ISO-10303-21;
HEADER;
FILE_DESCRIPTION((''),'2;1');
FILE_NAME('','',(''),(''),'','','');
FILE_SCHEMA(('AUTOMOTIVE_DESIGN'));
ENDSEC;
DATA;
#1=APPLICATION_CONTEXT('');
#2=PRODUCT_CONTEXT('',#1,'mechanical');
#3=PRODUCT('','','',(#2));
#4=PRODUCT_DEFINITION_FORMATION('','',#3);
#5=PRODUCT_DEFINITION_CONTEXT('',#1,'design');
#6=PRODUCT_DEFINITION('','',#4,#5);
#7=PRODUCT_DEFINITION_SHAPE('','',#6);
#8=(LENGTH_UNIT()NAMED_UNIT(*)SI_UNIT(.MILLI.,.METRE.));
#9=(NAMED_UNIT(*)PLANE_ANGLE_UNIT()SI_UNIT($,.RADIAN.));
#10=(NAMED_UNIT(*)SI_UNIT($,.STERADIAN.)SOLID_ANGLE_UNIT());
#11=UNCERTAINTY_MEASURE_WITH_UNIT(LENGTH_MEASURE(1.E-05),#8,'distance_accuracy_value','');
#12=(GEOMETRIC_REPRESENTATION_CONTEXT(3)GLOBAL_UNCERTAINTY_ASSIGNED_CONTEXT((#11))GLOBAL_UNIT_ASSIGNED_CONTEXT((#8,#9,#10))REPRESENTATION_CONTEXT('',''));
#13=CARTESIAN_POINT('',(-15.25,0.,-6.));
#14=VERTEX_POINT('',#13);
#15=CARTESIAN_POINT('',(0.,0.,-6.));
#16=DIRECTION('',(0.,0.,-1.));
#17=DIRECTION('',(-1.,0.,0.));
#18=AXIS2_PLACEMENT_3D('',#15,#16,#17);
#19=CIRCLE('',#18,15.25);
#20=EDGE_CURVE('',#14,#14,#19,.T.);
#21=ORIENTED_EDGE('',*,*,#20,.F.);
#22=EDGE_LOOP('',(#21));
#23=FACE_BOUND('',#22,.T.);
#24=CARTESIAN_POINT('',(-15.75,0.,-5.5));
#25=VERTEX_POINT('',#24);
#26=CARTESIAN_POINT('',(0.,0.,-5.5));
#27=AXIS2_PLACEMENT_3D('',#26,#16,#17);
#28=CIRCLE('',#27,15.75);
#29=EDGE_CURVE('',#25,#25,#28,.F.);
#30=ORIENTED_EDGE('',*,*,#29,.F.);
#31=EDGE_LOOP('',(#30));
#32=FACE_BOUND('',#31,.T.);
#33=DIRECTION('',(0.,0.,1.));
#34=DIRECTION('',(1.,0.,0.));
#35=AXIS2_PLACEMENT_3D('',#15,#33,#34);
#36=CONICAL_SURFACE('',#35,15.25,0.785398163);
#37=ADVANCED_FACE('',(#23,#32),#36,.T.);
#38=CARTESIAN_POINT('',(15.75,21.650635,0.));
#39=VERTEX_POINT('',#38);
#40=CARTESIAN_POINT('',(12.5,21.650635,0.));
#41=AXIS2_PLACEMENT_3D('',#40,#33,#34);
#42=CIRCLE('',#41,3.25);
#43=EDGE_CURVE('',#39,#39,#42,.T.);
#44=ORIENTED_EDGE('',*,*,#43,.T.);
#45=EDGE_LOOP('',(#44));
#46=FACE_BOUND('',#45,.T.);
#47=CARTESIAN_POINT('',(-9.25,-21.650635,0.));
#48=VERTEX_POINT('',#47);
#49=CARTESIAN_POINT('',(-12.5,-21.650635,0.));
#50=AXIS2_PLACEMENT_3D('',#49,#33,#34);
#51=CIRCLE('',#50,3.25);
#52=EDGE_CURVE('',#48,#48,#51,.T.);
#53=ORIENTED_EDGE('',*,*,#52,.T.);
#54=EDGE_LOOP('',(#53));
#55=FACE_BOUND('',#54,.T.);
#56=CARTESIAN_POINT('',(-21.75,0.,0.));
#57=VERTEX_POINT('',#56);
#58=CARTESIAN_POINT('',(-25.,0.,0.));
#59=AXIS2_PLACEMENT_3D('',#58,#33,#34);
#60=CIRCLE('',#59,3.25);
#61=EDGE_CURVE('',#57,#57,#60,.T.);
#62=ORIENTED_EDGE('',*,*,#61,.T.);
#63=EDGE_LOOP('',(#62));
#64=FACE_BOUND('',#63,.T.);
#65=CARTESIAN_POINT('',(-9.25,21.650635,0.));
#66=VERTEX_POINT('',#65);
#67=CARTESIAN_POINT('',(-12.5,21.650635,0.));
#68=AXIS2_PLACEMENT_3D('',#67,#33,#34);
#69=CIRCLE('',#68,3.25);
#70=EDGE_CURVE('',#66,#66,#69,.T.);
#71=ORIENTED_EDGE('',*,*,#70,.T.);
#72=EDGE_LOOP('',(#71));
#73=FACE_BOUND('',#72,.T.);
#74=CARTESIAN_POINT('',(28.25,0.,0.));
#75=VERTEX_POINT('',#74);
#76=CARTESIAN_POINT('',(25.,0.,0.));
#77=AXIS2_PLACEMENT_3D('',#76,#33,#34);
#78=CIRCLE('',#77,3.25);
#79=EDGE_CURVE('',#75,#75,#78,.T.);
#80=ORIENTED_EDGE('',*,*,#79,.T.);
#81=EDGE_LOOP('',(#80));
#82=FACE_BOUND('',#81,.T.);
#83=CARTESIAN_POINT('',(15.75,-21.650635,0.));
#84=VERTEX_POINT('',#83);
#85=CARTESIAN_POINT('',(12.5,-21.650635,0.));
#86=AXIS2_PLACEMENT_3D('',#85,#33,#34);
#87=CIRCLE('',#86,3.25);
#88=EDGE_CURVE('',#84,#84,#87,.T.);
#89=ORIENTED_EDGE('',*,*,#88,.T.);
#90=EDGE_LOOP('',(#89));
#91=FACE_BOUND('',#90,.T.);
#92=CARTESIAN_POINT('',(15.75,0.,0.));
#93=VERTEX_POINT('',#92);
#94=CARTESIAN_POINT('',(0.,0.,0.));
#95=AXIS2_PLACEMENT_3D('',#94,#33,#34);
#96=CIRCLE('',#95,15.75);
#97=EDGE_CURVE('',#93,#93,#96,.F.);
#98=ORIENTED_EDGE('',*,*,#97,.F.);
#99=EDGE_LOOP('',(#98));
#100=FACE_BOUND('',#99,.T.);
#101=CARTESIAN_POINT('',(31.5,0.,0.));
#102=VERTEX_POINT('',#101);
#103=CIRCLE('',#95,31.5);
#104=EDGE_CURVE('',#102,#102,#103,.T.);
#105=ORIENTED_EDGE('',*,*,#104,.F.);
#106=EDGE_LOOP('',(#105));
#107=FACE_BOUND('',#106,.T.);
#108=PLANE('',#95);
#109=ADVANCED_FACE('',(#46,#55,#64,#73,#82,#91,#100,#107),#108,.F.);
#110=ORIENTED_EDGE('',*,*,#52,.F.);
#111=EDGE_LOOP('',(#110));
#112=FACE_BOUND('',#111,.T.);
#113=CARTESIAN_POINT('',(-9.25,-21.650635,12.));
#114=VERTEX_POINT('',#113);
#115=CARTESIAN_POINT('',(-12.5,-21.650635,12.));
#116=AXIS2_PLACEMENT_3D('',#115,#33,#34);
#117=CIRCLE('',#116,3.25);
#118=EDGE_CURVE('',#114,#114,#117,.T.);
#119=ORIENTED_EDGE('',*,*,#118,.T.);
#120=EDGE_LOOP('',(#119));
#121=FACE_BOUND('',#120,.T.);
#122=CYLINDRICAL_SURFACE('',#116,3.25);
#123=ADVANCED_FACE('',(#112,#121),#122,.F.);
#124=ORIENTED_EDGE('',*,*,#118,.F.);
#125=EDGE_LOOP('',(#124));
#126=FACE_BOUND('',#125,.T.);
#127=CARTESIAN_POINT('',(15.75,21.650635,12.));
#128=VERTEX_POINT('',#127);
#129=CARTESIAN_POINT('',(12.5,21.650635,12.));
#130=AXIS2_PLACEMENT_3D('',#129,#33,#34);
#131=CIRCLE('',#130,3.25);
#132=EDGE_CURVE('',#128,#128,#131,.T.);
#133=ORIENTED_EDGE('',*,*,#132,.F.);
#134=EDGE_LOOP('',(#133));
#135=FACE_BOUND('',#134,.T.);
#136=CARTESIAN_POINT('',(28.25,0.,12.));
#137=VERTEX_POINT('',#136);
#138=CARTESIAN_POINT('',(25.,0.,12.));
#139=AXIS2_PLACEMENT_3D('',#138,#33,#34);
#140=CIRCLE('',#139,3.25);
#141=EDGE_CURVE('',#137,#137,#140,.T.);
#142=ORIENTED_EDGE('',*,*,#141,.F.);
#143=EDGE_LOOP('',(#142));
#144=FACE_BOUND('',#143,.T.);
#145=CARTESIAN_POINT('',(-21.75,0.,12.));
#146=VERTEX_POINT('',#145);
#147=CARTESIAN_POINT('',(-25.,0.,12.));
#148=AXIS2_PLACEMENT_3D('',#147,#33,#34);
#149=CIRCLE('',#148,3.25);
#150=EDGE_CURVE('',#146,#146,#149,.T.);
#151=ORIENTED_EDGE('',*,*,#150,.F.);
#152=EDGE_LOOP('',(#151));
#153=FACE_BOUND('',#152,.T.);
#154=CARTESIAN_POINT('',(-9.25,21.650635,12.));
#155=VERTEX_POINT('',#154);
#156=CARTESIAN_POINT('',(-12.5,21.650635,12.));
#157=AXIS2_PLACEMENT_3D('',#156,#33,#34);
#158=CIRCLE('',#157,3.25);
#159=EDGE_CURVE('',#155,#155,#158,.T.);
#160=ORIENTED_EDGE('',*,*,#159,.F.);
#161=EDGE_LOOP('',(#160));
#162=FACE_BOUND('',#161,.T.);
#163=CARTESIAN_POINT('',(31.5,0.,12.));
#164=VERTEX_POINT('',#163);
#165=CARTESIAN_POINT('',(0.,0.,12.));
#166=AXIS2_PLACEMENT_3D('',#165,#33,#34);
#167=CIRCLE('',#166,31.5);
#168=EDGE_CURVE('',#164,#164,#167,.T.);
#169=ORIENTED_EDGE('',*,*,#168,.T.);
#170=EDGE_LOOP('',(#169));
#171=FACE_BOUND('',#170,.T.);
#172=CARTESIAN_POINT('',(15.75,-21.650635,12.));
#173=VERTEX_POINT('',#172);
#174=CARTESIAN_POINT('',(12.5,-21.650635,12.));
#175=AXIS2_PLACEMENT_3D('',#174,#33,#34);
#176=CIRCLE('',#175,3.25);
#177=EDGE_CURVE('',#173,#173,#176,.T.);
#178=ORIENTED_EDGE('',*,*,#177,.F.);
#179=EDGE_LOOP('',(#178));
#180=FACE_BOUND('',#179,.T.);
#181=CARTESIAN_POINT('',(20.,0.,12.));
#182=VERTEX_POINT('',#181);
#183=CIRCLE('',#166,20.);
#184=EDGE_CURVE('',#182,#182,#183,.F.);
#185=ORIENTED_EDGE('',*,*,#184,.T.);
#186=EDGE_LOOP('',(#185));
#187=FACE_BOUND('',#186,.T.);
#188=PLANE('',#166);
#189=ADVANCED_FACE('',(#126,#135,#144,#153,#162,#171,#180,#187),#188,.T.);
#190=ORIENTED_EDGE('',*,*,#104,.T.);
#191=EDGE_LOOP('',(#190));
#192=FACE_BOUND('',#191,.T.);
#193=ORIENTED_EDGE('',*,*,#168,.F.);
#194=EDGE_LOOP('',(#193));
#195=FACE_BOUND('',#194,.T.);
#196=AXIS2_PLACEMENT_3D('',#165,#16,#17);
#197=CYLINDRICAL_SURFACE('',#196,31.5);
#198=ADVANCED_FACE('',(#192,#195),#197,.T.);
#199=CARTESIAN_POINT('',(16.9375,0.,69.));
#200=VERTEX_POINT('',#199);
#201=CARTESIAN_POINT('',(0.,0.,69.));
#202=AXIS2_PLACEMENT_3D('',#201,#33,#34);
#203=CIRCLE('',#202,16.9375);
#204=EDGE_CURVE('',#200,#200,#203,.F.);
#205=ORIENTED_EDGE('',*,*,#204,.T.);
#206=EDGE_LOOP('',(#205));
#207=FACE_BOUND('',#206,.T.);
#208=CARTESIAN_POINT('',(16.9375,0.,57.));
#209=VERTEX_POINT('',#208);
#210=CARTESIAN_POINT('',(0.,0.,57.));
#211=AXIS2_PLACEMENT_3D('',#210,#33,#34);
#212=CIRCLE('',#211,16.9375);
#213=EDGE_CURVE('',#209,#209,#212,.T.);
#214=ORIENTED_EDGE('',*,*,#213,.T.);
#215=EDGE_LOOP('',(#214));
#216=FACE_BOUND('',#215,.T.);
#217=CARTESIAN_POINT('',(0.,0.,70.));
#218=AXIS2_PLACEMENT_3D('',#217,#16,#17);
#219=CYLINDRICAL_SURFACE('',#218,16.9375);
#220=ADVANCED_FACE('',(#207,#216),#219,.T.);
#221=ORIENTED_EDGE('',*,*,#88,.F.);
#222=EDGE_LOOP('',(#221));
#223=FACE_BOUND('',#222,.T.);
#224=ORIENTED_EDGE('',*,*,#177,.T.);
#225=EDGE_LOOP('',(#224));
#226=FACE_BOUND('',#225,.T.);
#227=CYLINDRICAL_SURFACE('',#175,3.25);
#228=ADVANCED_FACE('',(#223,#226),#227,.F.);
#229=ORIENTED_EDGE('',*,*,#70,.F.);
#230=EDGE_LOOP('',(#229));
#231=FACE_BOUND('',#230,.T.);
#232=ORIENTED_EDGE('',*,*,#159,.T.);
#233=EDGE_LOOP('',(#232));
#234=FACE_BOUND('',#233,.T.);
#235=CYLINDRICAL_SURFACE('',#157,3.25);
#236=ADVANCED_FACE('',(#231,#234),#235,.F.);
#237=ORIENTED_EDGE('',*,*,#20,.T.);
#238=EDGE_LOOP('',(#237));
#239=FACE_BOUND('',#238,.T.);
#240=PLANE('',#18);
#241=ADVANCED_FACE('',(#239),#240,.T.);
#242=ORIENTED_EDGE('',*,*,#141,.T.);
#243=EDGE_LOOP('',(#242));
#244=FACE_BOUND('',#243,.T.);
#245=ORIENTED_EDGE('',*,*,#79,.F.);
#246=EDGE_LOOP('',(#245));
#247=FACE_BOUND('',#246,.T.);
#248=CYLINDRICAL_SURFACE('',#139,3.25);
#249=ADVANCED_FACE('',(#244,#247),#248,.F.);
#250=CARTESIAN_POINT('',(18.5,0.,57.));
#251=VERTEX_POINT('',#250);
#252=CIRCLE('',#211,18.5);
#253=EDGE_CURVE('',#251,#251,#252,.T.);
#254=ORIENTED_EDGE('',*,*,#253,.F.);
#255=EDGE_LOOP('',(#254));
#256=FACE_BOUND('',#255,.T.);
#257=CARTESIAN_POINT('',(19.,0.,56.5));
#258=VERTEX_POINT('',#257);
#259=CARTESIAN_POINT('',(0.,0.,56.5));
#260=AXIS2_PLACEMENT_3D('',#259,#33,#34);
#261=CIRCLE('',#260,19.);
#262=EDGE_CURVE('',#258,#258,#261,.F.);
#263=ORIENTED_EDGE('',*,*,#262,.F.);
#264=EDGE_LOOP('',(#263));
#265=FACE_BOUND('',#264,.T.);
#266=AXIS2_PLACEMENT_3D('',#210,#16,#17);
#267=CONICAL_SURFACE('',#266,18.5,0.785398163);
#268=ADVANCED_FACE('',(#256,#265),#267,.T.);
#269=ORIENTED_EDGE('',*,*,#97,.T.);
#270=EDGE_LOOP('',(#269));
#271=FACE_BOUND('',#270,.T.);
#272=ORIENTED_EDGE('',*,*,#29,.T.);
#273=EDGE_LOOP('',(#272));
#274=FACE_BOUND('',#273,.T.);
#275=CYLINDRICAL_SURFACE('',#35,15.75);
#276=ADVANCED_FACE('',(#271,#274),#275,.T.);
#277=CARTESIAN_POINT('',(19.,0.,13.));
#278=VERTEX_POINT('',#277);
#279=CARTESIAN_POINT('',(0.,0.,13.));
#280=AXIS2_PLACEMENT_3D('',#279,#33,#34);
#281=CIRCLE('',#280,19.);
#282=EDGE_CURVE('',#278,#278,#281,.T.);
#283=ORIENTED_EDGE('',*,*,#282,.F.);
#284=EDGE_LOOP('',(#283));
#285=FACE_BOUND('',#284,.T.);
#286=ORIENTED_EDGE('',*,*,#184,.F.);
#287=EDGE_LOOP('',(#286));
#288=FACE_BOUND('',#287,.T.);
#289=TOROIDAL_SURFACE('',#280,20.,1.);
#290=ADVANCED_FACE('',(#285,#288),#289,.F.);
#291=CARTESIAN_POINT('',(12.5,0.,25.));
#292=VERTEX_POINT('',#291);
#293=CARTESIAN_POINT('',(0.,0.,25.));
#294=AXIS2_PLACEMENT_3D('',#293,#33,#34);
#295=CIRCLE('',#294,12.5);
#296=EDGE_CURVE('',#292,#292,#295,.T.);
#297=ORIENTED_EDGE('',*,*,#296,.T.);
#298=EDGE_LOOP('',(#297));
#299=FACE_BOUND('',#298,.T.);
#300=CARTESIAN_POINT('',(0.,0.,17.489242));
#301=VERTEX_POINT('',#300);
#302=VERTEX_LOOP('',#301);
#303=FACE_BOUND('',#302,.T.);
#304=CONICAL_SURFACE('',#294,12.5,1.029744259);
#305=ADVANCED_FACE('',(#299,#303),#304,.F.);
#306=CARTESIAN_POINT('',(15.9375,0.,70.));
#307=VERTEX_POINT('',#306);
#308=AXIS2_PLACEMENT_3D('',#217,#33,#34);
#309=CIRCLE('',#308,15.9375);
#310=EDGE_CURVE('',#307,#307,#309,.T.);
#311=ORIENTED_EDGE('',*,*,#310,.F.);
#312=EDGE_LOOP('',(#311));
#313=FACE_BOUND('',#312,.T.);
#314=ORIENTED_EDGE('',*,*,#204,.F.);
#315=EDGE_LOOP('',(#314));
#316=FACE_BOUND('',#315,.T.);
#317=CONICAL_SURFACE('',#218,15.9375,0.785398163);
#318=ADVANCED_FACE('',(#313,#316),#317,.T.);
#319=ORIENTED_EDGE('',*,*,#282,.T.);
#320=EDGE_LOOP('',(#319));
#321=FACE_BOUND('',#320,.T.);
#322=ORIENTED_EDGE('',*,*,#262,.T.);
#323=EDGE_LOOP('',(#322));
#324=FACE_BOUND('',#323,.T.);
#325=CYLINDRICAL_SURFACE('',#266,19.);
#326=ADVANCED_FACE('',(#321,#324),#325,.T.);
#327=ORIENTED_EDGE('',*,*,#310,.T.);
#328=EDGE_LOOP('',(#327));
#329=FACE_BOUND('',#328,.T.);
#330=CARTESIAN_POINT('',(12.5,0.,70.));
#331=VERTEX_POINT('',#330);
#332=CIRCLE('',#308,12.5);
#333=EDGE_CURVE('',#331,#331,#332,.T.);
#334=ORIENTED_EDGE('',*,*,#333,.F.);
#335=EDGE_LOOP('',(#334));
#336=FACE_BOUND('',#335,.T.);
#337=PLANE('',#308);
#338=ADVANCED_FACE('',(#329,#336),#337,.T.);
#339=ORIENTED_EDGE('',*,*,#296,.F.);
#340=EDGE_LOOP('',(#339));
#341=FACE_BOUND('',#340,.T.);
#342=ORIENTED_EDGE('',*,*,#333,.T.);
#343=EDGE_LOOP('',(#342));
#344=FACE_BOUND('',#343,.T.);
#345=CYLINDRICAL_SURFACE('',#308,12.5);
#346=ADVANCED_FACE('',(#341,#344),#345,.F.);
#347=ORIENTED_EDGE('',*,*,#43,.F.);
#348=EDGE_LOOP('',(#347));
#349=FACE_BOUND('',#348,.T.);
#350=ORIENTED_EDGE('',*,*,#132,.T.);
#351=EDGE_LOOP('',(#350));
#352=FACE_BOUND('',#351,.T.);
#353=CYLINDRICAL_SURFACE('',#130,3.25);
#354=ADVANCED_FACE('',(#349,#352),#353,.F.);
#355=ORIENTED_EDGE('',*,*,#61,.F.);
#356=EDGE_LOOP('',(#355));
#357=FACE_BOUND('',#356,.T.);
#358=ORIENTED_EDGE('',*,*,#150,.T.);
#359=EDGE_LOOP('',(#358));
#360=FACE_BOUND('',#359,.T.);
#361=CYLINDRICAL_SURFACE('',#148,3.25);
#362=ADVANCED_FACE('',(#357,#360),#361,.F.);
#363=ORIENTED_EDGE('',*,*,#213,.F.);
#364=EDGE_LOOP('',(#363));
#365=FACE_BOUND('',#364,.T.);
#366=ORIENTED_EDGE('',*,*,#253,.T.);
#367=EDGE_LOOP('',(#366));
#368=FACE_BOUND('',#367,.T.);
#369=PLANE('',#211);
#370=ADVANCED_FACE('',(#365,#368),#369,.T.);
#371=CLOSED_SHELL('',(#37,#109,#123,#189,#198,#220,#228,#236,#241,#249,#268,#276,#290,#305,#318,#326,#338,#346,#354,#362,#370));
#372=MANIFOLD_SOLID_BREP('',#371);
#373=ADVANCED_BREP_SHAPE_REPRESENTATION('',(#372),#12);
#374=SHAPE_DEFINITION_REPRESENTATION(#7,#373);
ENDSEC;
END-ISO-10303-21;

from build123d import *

# Parameters (mm, degrees)
SKETCH1_R                  = 31.5
BOSS_EXTRUDE1_DEPTH        = 12
SKETCH3_R                  = 15.75
BOSS_EXTRUDE2_DEPTH        = 6
F_6_5_6_5_DIAMETER_HOLE1_D = 6.5
SKETCH14_R                 = 19
BOSS_EXTRUDE4_DEPTH        = 45
CHAMFER2_SIZE              = 0.5
FILLET3_R                  = 1
SKETCH15_R                 = 16.9375
BOSS_EXTRUDE6_DEPTH        = 13
CHAMFER3_SIZE              = 1
CHAMFER6_SIZE              = 0.5
F_25_0MM_DOWEL_HOLE1_D     = 25
F_25_0MM_DOWEL_HOLE1_DEPTH = 45
F_25_0MM_DOWEL_HOLE1_TIP   = 7.510757738


with BuildPart() as part:
    # Sketch1 → Boss-Extrude1 (new body)
    with BuildSketch(Plane.XY):
        Circle(SKETCH1_R)
    extrude(amount=BOSS_EXTRUDE1_DEPTH)

    # Sketch3 → Boss-Extrude2 (add)
    with BuildSketch(Plane(origin=(0, 0, 0), x_dir=(-1, 0, 0), z_dir=(0, 0, -1))):
        Circle(SKETCH3_R)
    extrude(amount=BOSS_EXTRUDE2_DEPTH)

    # Ø6.5 (6.5) Diameter Hole1 (through all)
    with Locations(Plane.XY.offset(12)):
        with Locations((-12.5, 21.650635095), (-25, 0), (-12.5, -21.650635095), (12.5, -21.650635095), (25, 0), (12.5, 21.650635095)):
            Hole(F_6_5_6_5_DIAMETER_HOLE1_D / 2)

    # Sketch14 → Boss-Extrude4 (add)
    with BuildSketch(Plane.XY.offset(12)):
        Circle(SKETCH14_R)
    extrude(amount=BOSS_EXTRUDE4_DEPTH)

    # Chamfer2
    chamfer2_edges = [part.edges().sort_by_distance(p)[0] for p in [
        (-19, 0, 57),
    ]]
    chamfer(chamfer2_edges, length=CHAMFER2_SIZE)

    # Fillet3
    fillet3_edges = [part.edges().sort_by_distance(p)[0] for p in [
        (-19, 0, 12),
    ]]
    fillet(fillet3_edges, radius=FILLET3_R)

    # Sketch15 → Boss-Extrude6 (add)
    with BuildSketch(Plane.XY.offset(57)):
        Circle(SKETCH15_R)
    extrude(amount=BOSS_EXTRUDE6_DEPTH)

    # Chamfer3
    chamfer3_edges = [part.edges().sort_by_distance(p)[0] for p in [
        (-16.9375, 0, 70),
    ]]
    chamfer(chamfer3_edges, length=CHAMFER3_SIZE)

    # Chamfer6
    chamfer6_edges = [part.edges().sort_by_distance(p)[0] for p in [
        (15.75, 0, -6),
    ]]
    chamfer(chamfer6_edges, length=CHAMFER6_SIZE)

    # Ø25.0mm Dowel Hole1
    with Locations(Plane.XY.offset(70)):
        with Locations((0, 0)):
            Hole(F_25_0MM_DOWEL_HOLE1_D / 2, depth=F_25_0MM_DOWEL_HOLE1_DEPTH)
            with Locations((0, 0, -(F_25_0MM_DOWEL_HOLE1_DEPTH + F_25_0MM_DOWEL_HOLE1_TIP / 2))):  # 118° drill point
                Cone(0, F_25_0MM_DOWEL_HOLE1_D / 2, F_25_0MM_DOWEL_HOLE1_TIP, mode=Mode.SUBTRACT)


solid = part.part
